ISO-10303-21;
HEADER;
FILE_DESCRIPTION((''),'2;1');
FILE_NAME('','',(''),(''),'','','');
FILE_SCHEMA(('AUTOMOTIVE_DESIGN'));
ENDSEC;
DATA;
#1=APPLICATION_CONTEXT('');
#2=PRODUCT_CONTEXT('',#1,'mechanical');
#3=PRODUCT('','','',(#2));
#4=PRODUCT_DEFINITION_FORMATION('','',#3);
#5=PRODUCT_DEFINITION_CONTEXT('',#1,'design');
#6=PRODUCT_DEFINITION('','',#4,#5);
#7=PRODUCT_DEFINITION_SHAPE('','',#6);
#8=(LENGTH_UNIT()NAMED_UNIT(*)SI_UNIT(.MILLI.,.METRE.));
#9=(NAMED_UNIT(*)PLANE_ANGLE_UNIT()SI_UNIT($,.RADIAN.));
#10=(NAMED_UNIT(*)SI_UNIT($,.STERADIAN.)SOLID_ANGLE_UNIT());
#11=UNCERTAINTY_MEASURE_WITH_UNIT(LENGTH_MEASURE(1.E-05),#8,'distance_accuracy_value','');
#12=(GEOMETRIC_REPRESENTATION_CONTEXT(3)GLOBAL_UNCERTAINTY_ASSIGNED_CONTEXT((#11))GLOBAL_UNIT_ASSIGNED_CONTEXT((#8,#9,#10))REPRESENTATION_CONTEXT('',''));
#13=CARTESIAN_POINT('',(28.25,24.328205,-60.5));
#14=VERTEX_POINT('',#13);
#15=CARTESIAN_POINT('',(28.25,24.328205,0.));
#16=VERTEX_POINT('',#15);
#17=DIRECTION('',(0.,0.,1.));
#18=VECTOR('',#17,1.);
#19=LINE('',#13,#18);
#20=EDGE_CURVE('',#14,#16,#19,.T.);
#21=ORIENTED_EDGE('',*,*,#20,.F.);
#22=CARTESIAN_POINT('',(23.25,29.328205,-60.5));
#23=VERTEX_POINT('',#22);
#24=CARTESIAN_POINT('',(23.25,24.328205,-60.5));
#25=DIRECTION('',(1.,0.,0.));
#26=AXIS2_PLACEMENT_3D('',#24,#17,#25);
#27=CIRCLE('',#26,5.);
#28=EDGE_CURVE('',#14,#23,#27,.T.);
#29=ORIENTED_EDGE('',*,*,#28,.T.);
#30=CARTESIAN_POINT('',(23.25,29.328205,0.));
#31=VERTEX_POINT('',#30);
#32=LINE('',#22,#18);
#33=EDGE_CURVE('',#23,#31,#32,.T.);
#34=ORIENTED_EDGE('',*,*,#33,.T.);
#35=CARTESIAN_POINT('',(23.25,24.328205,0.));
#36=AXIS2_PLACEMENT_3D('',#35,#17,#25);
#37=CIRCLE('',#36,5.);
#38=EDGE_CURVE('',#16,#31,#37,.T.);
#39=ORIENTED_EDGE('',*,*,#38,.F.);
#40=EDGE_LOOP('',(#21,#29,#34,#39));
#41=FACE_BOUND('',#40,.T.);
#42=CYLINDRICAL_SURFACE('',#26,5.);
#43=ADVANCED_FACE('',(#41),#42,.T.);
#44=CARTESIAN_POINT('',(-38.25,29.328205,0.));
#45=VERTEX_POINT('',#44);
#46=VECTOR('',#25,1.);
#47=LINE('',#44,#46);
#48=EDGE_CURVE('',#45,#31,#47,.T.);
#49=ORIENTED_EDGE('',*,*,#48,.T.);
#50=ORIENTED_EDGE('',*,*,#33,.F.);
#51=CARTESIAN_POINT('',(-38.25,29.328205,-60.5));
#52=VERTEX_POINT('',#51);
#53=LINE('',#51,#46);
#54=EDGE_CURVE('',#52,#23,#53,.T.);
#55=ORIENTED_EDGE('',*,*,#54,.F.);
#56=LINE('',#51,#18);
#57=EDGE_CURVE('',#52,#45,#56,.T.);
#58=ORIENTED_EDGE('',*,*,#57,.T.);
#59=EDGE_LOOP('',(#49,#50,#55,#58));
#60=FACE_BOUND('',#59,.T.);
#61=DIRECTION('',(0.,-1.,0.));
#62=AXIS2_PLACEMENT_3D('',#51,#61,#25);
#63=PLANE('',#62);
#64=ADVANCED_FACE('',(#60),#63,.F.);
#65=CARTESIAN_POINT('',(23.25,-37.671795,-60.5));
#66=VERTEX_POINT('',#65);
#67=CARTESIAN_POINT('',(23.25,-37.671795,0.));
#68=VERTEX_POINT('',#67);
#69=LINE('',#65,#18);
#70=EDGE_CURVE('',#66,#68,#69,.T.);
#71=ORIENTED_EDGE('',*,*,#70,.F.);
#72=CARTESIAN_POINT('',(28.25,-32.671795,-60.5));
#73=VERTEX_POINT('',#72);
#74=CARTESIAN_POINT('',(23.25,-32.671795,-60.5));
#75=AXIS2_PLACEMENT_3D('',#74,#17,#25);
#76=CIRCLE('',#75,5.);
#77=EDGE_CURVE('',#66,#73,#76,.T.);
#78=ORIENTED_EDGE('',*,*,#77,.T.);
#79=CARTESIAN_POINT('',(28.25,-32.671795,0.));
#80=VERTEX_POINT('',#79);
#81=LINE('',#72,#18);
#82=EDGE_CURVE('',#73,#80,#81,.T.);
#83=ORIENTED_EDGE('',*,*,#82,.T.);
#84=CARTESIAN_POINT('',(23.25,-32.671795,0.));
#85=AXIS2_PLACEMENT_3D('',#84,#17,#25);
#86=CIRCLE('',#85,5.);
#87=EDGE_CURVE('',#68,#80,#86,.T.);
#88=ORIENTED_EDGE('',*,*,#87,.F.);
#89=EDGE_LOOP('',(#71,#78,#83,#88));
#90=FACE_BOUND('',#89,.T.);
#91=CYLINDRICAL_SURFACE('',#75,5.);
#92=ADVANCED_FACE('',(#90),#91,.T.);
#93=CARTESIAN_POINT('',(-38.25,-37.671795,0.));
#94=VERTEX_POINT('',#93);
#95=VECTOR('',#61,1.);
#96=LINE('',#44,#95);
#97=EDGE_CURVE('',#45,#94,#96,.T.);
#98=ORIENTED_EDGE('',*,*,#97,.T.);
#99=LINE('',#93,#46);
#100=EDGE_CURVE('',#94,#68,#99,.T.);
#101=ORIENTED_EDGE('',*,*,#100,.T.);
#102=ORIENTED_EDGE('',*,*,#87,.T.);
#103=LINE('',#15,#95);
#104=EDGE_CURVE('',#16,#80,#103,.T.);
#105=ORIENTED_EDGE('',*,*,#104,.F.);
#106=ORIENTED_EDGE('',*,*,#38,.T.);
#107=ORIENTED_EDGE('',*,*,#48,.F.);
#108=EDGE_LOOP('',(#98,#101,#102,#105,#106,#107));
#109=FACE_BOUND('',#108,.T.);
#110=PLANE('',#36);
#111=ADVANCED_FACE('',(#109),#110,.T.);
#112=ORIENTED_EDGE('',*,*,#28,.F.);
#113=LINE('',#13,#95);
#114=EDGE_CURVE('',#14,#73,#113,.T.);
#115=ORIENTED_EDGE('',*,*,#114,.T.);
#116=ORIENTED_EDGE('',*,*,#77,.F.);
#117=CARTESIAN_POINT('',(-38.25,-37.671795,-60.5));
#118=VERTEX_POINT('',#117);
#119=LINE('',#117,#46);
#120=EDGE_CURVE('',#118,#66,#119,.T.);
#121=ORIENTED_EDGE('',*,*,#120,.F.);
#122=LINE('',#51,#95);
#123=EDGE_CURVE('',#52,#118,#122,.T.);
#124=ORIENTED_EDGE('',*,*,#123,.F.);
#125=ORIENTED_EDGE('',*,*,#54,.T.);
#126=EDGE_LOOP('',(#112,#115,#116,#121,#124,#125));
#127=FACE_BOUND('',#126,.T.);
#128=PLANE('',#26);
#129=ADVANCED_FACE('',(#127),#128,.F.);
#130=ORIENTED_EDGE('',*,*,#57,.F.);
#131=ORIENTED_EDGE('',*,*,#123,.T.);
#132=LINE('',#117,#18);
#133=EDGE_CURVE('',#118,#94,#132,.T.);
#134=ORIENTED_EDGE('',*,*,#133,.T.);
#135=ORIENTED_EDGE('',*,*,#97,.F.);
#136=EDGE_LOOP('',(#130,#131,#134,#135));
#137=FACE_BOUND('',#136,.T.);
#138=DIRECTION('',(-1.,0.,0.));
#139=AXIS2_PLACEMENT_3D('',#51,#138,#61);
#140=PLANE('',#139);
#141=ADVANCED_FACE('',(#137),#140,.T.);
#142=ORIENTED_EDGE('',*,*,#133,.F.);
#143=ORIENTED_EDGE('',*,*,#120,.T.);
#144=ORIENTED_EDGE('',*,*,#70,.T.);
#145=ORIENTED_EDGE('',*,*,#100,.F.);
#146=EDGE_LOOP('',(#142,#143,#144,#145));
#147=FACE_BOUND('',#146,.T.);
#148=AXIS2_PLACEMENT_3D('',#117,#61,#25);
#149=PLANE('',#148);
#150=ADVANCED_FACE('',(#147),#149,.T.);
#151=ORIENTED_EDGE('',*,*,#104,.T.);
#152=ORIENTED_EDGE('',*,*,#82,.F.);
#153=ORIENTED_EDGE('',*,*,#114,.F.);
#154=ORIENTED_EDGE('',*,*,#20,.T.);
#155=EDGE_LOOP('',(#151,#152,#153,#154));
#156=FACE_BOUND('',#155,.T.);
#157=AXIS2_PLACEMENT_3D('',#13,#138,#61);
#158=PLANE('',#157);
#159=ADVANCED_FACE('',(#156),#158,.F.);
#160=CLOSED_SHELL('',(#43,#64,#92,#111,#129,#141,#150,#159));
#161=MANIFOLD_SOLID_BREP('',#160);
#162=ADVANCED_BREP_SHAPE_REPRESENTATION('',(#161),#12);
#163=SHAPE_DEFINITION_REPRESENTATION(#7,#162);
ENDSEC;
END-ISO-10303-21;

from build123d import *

# Parameters (mm, degrees)
EXTRUDE_1_DEPTH = 60.5


with BuildPart() as part:
    # 草图1 → 凸台-拉伸1 (new body)
    with BuildSketch(Plane.XY):
        with BuildLine():
            Line((-38.25, 29.328205128), (23.25, 29.328205128))
            ThreePointArc((23.25, 29.328205128), (26.785533906, 27.863739034), (28.25, 24.328205128))
            Line((28.25, 24.328205128), (28.25, -32.671794872))
            ThreePointArc((28.25, -32.671794872), (26.785533906, -36.207328778), (23.25, -37.671794872))
            Line((23.25, -37.671794872), (-38.25, -37.671794872))
            Line((-38.25, -37.671794872), (-38.25, 29.328205128))
        make_face()
    extrude(amount=-EXTRUDE_1_DEPTH)


solid = part.part
